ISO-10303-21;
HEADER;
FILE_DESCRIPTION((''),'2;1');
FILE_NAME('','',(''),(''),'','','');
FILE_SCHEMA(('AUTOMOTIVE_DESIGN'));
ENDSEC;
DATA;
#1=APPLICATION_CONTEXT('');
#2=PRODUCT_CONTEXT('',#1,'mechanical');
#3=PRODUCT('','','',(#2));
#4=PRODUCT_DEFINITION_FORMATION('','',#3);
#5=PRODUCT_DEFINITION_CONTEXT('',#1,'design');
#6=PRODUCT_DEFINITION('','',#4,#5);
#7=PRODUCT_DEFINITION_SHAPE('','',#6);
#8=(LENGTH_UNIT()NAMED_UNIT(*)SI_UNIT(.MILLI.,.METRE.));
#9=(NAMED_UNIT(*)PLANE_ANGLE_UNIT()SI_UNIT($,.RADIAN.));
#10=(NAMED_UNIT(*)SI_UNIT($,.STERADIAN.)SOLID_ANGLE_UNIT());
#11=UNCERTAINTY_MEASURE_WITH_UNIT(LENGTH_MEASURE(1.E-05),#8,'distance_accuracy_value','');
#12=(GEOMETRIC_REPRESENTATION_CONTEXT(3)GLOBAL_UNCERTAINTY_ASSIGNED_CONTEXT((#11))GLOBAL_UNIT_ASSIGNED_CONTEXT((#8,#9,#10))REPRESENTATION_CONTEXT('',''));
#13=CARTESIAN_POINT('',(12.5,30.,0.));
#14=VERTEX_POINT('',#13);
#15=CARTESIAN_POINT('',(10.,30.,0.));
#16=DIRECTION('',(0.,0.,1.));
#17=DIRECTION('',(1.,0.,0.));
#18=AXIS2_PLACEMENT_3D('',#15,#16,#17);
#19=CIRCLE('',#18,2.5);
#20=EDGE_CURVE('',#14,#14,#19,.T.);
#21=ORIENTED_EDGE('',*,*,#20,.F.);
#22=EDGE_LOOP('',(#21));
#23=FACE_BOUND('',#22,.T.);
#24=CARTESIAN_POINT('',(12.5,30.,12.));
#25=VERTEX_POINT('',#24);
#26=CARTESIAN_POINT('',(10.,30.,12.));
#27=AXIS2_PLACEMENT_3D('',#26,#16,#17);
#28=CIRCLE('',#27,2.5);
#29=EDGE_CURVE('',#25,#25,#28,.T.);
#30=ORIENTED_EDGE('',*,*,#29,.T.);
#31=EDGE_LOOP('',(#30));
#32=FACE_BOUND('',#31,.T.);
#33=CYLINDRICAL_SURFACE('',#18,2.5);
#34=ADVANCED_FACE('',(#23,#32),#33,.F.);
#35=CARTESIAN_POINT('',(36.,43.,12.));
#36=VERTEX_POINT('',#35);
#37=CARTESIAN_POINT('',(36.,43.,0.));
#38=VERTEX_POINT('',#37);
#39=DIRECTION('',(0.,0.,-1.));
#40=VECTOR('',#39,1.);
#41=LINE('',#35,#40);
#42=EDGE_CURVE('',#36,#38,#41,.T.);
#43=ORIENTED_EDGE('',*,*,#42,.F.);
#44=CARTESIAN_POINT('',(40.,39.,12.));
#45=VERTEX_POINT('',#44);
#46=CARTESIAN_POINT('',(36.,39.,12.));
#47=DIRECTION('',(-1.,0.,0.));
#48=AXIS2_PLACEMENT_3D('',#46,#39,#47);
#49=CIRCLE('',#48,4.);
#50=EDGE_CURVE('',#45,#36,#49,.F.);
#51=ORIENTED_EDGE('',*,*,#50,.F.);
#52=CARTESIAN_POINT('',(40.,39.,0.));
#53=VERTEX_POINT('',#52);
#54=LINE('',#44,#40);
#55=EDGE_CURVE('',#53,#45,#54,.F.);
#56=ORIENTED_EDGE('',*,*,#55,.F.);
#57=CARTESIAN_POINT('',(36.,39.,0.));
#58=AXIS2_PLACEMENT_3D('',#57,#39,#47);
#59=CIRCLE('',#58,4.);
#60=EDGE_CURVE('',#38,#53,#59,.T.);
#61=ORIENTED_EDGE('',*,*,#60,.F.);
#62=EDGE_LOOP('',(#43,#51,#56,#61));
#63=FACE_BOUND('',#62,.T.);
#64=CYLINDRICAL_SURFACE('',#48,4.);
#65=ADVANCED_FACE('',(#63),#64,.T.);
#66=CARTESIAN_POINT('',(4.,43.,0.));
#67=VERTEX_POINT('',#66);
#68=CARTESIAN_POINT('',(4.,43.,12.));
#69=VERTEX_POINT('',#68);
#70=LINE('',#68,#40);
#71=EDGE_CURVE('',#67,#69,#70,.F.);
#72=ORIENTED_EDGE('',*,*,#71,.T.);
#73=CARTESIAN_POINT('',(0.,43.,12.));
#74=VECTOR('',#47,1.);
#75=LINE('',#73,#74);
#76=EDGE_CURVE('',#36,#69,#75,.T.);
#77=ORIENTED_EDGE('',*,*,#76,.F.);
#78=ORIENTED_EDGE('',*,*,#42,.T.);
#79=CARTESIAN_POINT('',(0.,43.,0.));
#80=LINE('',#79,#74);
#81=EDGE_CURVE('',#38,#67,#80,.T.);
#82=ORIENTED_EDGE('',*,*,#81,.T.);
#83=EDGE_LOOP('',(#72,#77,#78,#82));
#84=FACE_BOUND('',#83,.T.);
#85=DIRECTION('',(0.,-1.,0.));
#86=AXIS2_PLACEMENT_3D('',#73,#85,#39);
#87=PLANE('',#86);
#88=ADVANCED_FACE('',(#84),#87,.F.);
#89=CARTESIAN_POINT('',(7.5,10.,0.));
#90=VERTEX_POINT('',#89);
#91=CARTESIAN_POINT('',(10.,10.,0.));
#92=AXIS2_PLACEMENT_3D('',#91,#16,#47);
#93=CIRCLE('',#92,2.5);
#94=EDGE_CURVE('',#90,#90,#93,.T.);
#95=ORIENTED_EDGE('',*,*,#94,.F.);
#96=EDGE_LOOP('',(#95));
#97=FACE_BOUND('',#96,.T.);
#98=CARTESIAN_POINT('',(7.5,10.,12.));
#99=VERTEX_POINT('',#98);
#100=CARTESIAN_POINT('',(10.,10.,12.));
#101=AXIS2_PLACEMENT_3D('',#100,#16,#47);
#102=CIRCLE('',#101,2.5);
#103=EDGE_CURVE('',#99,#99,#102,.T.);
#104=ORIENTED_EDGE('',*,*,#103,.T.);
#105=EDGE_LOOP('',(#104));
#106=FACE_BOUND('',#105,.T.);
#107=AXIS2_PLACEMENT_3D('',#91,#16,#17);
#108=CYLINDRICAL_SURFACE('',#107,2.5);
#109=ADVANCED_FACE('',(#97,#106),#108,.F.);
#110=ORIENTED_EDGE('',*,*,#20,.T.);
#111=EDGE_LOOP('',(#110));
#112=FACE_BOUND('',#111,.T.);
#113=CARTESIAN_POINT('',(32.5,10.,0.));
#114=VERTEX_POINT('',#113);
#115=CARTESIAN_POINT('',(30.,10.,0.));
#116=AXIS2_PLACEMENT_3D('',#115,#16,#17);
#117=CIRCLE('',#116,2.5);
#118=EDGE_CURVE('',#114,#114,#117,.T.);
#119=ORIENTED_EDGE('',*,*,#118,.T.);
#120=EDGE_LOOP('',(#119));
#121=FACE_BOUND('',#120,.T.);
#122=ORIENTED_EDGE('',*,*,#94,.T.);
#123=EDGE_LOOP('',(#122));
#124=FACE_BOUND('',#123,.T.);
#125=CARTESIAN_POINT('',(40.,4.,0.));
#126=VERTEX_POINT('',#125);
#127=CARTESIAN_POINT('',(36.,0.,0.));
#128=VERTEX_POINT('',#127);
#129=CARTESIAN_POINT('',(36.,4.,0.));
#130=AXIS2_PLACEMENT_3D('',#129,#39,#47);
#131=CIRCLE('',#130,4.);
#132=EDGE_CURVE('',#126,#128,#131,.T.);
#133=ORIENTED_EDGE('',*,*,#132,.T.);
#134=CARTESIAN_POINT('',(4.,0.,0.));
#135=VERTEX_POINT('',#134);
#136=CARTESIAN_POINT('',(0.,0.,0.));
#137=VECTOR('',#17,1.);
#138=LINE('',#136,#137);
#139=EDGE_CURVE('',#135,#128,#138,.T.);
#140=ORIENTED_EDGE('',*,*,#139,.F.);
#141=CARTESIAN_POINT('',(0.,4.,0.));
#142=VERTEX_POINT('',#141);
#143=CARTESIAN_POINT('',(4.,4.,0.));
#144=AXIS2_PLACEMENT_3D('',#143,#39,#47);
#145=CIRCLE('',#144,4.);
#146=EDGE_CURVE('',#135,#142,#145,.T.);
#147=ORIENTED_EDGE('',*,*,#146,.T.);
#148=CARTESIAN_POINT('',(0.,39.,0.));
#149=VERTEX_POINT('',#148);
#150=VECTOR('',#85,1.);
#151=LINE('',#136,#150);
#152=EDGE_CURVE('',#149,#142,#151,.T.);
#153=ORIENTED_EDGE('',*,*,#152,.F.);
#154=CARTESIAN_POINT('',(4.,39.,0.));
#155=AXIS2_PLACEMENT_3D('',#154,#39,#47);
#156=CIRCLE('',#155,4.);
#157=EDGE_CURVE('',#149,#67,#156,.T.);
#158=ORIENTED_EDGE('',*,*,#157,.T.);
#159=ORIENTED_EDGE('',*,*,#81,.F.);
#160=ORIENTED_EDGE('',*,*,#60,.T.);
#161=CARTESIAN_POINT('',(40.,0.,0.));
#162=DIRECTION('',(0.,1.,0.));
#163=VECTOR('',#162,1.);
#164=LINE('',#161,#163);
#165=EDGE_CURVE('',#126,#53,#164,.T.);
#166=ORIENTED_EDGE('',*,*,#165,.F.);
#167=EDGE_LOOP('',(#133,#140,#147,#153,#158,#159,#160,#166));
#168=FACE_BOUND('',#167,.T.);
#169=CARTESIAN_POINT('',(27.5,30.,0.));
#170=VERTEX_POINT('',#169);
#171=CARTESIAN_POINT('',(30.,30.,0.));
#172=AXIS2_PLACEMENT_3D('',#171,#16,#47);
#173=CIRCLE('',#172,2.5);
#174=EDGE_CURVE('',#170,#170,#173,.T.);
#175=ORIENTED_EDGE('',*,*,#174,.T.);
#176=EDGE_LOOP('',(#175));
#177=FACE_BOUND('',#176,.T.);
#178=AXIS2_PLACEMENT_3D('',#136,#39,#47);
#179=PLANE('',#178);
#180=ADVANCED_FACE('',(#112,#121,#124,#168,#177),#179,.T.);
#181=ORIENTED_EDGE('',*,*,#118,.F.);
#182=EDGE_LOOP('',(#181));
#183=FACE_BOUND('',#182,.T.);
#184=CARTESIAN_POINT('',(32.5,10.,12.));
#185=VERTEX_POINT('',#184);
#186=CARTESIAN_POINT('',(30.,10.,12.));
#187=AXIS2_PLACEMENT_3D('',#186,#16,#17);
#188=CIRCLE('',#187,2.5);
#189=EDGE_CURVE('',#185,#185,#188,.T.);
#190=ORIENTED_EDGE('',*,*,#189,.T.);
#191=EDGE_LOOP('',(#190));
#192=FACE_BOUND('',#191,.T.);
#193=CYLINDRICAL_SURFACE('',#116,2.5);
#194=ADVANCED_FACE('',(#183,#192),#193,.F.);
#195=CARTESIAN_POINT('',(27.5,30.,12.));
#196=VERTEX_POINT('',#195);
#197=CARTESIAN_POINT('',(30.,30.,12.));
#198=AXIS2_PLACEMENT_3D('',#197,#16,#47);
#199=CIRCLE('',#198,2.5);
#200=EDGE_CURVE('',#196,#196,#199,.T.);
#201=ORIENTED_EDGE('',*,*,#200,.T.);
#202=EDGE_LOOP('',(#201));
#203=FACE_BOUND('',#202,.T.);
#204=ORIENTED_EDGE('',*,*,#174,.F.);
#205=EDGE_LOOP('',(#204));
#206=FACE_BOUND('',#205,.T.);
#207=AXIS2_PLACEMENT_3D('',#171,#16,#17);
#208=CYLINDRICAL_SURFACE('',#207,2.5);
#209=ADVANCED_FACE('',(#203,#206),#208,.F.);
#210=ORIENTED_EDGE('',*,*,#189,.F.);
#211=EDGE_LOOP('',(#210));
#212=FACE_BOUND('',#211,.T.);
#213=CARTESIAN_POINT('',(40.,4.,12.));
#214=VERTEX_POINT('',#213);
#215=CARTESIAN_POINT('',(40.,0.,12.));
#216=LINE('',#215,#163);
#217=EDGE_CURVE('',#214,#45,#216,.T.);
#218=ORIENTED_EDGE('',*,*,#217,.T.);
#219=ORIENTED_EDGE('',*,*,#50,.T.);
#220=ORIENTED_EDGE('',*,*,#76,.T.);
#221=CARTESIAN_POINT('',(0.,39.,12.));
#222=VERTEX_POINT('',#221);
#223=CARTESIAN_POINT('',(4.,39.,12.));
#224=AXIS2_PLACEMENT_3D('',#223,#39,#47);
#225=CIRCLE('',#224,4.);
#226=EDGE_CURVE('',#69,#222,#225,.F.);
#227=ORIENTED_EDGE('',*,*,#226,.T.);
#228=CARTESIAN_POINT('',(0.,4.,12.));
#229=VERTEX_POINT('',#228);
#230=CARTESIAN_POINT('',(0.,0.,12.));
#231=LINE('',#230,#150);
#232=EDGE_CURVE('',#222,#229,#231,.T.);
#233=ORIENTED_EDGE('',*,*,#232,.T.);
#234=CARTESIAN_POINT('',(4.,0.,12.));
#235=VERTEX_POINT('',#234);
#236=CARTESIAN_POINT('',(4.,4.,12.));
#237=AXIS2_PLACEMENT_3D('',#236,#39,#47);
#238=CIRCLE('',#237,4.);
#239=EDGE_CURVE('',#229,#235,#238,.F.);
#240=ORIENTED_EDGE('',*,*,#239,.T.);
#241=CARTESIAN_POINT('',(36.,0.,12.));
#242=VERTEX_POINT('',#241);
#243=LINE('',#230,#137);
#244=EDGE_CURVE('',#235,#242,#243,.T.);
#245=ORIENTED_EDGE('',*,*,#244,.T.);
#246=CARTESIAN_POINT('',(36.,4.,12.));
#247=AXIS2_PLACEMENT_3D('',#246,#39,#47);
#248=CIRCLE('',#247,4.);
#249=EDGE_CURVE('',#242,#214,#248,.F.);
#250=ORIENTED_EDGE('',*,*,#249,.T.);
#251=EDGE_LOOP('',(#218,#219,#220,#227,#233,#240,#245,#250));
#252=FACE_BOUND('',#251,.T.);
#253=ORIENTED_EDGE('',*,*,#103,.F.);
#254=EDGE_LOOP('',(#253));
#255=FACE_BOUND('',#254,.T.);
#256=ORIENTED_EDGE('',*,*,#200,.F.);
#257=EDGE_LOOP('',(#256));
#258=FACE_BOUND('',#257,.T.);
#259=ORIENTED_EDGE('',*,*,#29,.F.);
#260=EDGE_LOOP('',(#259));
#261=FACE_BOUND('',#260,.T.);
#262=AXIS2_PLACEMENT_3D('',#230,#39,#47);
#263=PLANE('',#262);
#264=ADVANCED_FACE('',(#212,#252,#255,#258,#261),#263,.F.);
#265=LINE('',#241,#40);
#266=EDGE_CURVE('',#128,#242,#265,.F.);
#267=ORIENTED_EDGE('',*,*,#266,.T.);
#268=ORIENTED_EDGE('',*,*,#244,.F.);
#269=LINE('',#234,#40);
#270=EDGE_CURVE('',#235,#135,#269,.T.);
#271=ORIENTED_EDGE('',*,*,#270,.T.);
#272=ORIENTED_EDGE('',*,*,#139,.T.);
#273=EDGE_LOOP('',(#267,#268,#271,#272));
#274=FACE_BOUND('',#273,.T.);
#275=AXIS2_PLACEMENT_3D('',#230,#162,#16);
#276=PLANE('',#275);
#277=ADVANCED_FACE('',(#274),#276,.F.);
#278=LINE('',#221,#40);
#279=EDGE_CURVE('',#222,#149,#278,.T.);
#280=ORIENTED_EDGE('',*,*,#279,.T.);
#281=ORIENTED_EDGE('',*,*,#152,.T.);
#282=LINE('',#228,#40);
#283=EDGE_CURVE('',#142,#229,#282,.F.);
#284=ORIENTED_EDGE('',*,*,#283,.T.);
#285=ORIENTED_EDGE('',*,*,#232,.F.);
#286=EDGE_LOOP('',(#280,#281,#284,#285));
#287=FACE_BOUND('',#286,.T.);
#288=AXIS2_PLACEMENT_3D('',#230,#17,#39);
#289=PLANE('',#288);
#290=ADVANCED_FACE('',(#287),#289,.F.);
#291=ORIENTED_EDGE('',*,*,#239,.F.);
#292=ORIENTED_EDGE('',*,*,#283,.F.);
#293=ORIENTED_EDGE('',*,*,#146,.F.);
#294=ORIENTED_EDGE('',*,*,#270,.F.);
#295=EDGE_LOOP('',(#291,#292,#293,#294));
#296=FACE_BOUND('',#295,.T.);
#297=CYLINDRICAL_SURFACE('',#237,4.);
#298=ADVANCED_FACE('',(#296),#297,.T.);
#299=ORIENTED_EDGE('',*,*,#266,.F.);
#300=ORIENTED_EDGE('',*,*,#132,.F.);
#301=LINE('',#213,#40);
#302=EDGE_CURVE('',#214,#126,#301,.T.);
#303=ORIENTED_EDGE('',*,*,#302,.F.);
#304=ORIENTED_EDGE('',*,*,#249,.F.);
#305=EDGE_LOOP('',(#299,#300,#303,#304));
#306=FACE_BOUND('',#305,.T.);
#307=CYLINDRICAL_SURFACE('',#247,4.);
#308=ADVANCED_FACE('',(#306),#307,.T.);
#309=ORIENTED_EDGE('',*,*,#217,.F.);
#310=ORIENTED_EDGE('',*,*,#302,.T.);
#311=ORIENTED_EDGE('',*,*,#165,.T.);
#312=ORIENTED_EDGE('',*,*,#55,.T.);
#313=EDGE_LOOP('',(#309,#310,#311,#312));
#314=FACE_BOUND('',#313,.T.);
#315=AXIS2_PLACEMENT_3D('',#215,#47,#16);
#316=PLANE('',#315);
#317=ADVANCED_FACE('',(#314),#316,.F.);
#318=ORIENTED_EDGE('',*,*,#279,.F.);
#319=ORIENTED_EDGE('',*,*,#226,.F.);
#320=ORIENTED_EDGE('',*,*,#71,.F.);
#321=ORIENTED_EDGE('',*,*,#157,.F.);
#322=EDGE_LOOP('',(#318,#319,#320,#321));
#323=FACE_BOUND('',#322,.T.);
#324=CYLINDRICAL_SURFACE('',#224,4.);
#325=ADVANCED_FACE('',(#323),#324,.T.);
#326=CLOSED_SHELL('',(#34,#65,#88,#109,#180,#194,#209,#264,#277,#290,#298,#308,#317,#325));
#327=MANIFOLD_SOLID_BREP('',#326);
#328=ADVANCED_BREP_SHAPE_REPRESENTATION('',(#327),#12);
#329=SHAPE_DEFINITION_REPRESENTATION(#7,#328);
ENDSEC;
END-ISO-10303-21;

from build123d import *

# Parameters (mm, degrees)
ESQUISSE1_W             = 40
ESQUISSE1_H             = 43
BOSS_EXTRU_1_DEPTH      = 12
ESQUISSE2_R             = 2.5
ENL_V_MAT_EXTRU_1_DEPTH = 60.941638283
CONG_1_R                = 4


with BuildPart() as part:
    # Esquisse1 → Boss.-Extru.1 (new body)
    with BuildSketch(Plane.XY):
        with Locations((20, 21.5)):
            Rectangle(ESQUISSE1_W, ESQUISSE1_H)
    extrude(amount=BOSS_EXTRU_1_DEPTH)

    # Esquisse2 → Enlèv. mat.-Extru.1 (cut, through all)
    with BuildSketch(Plane.XY.offset(12)):
        with Locations((10, 30)):
            Circle(ESQUISSE2_R)
        with Locations(Location((10, 10, 0), (0, 0, 180))):
            Circle(ESQUISSE2_R)
        with Locations((30, 10)):
            Circle(ESQUISSE2_R)
        with Locations(Location((30, 30, 0), (0, 0, 180))):
            Circle(ESQUISSE2_R)
    extrude(amount=-ENL_V_MAT_EXTRU_1_DEPTH, mode=Mode.SUBTRACT)

    # Congé1
    cong_1_edges = [part.edges().sort_by_distance(p)[0] for p in [
        (0, 43, 6),
        (40, 43, 6),
        (40, 0, 6),
        (0, 0, 6),
    ]]
    fillet(cong_1_edges, radius=CONG_1_R)


solid = part.part
